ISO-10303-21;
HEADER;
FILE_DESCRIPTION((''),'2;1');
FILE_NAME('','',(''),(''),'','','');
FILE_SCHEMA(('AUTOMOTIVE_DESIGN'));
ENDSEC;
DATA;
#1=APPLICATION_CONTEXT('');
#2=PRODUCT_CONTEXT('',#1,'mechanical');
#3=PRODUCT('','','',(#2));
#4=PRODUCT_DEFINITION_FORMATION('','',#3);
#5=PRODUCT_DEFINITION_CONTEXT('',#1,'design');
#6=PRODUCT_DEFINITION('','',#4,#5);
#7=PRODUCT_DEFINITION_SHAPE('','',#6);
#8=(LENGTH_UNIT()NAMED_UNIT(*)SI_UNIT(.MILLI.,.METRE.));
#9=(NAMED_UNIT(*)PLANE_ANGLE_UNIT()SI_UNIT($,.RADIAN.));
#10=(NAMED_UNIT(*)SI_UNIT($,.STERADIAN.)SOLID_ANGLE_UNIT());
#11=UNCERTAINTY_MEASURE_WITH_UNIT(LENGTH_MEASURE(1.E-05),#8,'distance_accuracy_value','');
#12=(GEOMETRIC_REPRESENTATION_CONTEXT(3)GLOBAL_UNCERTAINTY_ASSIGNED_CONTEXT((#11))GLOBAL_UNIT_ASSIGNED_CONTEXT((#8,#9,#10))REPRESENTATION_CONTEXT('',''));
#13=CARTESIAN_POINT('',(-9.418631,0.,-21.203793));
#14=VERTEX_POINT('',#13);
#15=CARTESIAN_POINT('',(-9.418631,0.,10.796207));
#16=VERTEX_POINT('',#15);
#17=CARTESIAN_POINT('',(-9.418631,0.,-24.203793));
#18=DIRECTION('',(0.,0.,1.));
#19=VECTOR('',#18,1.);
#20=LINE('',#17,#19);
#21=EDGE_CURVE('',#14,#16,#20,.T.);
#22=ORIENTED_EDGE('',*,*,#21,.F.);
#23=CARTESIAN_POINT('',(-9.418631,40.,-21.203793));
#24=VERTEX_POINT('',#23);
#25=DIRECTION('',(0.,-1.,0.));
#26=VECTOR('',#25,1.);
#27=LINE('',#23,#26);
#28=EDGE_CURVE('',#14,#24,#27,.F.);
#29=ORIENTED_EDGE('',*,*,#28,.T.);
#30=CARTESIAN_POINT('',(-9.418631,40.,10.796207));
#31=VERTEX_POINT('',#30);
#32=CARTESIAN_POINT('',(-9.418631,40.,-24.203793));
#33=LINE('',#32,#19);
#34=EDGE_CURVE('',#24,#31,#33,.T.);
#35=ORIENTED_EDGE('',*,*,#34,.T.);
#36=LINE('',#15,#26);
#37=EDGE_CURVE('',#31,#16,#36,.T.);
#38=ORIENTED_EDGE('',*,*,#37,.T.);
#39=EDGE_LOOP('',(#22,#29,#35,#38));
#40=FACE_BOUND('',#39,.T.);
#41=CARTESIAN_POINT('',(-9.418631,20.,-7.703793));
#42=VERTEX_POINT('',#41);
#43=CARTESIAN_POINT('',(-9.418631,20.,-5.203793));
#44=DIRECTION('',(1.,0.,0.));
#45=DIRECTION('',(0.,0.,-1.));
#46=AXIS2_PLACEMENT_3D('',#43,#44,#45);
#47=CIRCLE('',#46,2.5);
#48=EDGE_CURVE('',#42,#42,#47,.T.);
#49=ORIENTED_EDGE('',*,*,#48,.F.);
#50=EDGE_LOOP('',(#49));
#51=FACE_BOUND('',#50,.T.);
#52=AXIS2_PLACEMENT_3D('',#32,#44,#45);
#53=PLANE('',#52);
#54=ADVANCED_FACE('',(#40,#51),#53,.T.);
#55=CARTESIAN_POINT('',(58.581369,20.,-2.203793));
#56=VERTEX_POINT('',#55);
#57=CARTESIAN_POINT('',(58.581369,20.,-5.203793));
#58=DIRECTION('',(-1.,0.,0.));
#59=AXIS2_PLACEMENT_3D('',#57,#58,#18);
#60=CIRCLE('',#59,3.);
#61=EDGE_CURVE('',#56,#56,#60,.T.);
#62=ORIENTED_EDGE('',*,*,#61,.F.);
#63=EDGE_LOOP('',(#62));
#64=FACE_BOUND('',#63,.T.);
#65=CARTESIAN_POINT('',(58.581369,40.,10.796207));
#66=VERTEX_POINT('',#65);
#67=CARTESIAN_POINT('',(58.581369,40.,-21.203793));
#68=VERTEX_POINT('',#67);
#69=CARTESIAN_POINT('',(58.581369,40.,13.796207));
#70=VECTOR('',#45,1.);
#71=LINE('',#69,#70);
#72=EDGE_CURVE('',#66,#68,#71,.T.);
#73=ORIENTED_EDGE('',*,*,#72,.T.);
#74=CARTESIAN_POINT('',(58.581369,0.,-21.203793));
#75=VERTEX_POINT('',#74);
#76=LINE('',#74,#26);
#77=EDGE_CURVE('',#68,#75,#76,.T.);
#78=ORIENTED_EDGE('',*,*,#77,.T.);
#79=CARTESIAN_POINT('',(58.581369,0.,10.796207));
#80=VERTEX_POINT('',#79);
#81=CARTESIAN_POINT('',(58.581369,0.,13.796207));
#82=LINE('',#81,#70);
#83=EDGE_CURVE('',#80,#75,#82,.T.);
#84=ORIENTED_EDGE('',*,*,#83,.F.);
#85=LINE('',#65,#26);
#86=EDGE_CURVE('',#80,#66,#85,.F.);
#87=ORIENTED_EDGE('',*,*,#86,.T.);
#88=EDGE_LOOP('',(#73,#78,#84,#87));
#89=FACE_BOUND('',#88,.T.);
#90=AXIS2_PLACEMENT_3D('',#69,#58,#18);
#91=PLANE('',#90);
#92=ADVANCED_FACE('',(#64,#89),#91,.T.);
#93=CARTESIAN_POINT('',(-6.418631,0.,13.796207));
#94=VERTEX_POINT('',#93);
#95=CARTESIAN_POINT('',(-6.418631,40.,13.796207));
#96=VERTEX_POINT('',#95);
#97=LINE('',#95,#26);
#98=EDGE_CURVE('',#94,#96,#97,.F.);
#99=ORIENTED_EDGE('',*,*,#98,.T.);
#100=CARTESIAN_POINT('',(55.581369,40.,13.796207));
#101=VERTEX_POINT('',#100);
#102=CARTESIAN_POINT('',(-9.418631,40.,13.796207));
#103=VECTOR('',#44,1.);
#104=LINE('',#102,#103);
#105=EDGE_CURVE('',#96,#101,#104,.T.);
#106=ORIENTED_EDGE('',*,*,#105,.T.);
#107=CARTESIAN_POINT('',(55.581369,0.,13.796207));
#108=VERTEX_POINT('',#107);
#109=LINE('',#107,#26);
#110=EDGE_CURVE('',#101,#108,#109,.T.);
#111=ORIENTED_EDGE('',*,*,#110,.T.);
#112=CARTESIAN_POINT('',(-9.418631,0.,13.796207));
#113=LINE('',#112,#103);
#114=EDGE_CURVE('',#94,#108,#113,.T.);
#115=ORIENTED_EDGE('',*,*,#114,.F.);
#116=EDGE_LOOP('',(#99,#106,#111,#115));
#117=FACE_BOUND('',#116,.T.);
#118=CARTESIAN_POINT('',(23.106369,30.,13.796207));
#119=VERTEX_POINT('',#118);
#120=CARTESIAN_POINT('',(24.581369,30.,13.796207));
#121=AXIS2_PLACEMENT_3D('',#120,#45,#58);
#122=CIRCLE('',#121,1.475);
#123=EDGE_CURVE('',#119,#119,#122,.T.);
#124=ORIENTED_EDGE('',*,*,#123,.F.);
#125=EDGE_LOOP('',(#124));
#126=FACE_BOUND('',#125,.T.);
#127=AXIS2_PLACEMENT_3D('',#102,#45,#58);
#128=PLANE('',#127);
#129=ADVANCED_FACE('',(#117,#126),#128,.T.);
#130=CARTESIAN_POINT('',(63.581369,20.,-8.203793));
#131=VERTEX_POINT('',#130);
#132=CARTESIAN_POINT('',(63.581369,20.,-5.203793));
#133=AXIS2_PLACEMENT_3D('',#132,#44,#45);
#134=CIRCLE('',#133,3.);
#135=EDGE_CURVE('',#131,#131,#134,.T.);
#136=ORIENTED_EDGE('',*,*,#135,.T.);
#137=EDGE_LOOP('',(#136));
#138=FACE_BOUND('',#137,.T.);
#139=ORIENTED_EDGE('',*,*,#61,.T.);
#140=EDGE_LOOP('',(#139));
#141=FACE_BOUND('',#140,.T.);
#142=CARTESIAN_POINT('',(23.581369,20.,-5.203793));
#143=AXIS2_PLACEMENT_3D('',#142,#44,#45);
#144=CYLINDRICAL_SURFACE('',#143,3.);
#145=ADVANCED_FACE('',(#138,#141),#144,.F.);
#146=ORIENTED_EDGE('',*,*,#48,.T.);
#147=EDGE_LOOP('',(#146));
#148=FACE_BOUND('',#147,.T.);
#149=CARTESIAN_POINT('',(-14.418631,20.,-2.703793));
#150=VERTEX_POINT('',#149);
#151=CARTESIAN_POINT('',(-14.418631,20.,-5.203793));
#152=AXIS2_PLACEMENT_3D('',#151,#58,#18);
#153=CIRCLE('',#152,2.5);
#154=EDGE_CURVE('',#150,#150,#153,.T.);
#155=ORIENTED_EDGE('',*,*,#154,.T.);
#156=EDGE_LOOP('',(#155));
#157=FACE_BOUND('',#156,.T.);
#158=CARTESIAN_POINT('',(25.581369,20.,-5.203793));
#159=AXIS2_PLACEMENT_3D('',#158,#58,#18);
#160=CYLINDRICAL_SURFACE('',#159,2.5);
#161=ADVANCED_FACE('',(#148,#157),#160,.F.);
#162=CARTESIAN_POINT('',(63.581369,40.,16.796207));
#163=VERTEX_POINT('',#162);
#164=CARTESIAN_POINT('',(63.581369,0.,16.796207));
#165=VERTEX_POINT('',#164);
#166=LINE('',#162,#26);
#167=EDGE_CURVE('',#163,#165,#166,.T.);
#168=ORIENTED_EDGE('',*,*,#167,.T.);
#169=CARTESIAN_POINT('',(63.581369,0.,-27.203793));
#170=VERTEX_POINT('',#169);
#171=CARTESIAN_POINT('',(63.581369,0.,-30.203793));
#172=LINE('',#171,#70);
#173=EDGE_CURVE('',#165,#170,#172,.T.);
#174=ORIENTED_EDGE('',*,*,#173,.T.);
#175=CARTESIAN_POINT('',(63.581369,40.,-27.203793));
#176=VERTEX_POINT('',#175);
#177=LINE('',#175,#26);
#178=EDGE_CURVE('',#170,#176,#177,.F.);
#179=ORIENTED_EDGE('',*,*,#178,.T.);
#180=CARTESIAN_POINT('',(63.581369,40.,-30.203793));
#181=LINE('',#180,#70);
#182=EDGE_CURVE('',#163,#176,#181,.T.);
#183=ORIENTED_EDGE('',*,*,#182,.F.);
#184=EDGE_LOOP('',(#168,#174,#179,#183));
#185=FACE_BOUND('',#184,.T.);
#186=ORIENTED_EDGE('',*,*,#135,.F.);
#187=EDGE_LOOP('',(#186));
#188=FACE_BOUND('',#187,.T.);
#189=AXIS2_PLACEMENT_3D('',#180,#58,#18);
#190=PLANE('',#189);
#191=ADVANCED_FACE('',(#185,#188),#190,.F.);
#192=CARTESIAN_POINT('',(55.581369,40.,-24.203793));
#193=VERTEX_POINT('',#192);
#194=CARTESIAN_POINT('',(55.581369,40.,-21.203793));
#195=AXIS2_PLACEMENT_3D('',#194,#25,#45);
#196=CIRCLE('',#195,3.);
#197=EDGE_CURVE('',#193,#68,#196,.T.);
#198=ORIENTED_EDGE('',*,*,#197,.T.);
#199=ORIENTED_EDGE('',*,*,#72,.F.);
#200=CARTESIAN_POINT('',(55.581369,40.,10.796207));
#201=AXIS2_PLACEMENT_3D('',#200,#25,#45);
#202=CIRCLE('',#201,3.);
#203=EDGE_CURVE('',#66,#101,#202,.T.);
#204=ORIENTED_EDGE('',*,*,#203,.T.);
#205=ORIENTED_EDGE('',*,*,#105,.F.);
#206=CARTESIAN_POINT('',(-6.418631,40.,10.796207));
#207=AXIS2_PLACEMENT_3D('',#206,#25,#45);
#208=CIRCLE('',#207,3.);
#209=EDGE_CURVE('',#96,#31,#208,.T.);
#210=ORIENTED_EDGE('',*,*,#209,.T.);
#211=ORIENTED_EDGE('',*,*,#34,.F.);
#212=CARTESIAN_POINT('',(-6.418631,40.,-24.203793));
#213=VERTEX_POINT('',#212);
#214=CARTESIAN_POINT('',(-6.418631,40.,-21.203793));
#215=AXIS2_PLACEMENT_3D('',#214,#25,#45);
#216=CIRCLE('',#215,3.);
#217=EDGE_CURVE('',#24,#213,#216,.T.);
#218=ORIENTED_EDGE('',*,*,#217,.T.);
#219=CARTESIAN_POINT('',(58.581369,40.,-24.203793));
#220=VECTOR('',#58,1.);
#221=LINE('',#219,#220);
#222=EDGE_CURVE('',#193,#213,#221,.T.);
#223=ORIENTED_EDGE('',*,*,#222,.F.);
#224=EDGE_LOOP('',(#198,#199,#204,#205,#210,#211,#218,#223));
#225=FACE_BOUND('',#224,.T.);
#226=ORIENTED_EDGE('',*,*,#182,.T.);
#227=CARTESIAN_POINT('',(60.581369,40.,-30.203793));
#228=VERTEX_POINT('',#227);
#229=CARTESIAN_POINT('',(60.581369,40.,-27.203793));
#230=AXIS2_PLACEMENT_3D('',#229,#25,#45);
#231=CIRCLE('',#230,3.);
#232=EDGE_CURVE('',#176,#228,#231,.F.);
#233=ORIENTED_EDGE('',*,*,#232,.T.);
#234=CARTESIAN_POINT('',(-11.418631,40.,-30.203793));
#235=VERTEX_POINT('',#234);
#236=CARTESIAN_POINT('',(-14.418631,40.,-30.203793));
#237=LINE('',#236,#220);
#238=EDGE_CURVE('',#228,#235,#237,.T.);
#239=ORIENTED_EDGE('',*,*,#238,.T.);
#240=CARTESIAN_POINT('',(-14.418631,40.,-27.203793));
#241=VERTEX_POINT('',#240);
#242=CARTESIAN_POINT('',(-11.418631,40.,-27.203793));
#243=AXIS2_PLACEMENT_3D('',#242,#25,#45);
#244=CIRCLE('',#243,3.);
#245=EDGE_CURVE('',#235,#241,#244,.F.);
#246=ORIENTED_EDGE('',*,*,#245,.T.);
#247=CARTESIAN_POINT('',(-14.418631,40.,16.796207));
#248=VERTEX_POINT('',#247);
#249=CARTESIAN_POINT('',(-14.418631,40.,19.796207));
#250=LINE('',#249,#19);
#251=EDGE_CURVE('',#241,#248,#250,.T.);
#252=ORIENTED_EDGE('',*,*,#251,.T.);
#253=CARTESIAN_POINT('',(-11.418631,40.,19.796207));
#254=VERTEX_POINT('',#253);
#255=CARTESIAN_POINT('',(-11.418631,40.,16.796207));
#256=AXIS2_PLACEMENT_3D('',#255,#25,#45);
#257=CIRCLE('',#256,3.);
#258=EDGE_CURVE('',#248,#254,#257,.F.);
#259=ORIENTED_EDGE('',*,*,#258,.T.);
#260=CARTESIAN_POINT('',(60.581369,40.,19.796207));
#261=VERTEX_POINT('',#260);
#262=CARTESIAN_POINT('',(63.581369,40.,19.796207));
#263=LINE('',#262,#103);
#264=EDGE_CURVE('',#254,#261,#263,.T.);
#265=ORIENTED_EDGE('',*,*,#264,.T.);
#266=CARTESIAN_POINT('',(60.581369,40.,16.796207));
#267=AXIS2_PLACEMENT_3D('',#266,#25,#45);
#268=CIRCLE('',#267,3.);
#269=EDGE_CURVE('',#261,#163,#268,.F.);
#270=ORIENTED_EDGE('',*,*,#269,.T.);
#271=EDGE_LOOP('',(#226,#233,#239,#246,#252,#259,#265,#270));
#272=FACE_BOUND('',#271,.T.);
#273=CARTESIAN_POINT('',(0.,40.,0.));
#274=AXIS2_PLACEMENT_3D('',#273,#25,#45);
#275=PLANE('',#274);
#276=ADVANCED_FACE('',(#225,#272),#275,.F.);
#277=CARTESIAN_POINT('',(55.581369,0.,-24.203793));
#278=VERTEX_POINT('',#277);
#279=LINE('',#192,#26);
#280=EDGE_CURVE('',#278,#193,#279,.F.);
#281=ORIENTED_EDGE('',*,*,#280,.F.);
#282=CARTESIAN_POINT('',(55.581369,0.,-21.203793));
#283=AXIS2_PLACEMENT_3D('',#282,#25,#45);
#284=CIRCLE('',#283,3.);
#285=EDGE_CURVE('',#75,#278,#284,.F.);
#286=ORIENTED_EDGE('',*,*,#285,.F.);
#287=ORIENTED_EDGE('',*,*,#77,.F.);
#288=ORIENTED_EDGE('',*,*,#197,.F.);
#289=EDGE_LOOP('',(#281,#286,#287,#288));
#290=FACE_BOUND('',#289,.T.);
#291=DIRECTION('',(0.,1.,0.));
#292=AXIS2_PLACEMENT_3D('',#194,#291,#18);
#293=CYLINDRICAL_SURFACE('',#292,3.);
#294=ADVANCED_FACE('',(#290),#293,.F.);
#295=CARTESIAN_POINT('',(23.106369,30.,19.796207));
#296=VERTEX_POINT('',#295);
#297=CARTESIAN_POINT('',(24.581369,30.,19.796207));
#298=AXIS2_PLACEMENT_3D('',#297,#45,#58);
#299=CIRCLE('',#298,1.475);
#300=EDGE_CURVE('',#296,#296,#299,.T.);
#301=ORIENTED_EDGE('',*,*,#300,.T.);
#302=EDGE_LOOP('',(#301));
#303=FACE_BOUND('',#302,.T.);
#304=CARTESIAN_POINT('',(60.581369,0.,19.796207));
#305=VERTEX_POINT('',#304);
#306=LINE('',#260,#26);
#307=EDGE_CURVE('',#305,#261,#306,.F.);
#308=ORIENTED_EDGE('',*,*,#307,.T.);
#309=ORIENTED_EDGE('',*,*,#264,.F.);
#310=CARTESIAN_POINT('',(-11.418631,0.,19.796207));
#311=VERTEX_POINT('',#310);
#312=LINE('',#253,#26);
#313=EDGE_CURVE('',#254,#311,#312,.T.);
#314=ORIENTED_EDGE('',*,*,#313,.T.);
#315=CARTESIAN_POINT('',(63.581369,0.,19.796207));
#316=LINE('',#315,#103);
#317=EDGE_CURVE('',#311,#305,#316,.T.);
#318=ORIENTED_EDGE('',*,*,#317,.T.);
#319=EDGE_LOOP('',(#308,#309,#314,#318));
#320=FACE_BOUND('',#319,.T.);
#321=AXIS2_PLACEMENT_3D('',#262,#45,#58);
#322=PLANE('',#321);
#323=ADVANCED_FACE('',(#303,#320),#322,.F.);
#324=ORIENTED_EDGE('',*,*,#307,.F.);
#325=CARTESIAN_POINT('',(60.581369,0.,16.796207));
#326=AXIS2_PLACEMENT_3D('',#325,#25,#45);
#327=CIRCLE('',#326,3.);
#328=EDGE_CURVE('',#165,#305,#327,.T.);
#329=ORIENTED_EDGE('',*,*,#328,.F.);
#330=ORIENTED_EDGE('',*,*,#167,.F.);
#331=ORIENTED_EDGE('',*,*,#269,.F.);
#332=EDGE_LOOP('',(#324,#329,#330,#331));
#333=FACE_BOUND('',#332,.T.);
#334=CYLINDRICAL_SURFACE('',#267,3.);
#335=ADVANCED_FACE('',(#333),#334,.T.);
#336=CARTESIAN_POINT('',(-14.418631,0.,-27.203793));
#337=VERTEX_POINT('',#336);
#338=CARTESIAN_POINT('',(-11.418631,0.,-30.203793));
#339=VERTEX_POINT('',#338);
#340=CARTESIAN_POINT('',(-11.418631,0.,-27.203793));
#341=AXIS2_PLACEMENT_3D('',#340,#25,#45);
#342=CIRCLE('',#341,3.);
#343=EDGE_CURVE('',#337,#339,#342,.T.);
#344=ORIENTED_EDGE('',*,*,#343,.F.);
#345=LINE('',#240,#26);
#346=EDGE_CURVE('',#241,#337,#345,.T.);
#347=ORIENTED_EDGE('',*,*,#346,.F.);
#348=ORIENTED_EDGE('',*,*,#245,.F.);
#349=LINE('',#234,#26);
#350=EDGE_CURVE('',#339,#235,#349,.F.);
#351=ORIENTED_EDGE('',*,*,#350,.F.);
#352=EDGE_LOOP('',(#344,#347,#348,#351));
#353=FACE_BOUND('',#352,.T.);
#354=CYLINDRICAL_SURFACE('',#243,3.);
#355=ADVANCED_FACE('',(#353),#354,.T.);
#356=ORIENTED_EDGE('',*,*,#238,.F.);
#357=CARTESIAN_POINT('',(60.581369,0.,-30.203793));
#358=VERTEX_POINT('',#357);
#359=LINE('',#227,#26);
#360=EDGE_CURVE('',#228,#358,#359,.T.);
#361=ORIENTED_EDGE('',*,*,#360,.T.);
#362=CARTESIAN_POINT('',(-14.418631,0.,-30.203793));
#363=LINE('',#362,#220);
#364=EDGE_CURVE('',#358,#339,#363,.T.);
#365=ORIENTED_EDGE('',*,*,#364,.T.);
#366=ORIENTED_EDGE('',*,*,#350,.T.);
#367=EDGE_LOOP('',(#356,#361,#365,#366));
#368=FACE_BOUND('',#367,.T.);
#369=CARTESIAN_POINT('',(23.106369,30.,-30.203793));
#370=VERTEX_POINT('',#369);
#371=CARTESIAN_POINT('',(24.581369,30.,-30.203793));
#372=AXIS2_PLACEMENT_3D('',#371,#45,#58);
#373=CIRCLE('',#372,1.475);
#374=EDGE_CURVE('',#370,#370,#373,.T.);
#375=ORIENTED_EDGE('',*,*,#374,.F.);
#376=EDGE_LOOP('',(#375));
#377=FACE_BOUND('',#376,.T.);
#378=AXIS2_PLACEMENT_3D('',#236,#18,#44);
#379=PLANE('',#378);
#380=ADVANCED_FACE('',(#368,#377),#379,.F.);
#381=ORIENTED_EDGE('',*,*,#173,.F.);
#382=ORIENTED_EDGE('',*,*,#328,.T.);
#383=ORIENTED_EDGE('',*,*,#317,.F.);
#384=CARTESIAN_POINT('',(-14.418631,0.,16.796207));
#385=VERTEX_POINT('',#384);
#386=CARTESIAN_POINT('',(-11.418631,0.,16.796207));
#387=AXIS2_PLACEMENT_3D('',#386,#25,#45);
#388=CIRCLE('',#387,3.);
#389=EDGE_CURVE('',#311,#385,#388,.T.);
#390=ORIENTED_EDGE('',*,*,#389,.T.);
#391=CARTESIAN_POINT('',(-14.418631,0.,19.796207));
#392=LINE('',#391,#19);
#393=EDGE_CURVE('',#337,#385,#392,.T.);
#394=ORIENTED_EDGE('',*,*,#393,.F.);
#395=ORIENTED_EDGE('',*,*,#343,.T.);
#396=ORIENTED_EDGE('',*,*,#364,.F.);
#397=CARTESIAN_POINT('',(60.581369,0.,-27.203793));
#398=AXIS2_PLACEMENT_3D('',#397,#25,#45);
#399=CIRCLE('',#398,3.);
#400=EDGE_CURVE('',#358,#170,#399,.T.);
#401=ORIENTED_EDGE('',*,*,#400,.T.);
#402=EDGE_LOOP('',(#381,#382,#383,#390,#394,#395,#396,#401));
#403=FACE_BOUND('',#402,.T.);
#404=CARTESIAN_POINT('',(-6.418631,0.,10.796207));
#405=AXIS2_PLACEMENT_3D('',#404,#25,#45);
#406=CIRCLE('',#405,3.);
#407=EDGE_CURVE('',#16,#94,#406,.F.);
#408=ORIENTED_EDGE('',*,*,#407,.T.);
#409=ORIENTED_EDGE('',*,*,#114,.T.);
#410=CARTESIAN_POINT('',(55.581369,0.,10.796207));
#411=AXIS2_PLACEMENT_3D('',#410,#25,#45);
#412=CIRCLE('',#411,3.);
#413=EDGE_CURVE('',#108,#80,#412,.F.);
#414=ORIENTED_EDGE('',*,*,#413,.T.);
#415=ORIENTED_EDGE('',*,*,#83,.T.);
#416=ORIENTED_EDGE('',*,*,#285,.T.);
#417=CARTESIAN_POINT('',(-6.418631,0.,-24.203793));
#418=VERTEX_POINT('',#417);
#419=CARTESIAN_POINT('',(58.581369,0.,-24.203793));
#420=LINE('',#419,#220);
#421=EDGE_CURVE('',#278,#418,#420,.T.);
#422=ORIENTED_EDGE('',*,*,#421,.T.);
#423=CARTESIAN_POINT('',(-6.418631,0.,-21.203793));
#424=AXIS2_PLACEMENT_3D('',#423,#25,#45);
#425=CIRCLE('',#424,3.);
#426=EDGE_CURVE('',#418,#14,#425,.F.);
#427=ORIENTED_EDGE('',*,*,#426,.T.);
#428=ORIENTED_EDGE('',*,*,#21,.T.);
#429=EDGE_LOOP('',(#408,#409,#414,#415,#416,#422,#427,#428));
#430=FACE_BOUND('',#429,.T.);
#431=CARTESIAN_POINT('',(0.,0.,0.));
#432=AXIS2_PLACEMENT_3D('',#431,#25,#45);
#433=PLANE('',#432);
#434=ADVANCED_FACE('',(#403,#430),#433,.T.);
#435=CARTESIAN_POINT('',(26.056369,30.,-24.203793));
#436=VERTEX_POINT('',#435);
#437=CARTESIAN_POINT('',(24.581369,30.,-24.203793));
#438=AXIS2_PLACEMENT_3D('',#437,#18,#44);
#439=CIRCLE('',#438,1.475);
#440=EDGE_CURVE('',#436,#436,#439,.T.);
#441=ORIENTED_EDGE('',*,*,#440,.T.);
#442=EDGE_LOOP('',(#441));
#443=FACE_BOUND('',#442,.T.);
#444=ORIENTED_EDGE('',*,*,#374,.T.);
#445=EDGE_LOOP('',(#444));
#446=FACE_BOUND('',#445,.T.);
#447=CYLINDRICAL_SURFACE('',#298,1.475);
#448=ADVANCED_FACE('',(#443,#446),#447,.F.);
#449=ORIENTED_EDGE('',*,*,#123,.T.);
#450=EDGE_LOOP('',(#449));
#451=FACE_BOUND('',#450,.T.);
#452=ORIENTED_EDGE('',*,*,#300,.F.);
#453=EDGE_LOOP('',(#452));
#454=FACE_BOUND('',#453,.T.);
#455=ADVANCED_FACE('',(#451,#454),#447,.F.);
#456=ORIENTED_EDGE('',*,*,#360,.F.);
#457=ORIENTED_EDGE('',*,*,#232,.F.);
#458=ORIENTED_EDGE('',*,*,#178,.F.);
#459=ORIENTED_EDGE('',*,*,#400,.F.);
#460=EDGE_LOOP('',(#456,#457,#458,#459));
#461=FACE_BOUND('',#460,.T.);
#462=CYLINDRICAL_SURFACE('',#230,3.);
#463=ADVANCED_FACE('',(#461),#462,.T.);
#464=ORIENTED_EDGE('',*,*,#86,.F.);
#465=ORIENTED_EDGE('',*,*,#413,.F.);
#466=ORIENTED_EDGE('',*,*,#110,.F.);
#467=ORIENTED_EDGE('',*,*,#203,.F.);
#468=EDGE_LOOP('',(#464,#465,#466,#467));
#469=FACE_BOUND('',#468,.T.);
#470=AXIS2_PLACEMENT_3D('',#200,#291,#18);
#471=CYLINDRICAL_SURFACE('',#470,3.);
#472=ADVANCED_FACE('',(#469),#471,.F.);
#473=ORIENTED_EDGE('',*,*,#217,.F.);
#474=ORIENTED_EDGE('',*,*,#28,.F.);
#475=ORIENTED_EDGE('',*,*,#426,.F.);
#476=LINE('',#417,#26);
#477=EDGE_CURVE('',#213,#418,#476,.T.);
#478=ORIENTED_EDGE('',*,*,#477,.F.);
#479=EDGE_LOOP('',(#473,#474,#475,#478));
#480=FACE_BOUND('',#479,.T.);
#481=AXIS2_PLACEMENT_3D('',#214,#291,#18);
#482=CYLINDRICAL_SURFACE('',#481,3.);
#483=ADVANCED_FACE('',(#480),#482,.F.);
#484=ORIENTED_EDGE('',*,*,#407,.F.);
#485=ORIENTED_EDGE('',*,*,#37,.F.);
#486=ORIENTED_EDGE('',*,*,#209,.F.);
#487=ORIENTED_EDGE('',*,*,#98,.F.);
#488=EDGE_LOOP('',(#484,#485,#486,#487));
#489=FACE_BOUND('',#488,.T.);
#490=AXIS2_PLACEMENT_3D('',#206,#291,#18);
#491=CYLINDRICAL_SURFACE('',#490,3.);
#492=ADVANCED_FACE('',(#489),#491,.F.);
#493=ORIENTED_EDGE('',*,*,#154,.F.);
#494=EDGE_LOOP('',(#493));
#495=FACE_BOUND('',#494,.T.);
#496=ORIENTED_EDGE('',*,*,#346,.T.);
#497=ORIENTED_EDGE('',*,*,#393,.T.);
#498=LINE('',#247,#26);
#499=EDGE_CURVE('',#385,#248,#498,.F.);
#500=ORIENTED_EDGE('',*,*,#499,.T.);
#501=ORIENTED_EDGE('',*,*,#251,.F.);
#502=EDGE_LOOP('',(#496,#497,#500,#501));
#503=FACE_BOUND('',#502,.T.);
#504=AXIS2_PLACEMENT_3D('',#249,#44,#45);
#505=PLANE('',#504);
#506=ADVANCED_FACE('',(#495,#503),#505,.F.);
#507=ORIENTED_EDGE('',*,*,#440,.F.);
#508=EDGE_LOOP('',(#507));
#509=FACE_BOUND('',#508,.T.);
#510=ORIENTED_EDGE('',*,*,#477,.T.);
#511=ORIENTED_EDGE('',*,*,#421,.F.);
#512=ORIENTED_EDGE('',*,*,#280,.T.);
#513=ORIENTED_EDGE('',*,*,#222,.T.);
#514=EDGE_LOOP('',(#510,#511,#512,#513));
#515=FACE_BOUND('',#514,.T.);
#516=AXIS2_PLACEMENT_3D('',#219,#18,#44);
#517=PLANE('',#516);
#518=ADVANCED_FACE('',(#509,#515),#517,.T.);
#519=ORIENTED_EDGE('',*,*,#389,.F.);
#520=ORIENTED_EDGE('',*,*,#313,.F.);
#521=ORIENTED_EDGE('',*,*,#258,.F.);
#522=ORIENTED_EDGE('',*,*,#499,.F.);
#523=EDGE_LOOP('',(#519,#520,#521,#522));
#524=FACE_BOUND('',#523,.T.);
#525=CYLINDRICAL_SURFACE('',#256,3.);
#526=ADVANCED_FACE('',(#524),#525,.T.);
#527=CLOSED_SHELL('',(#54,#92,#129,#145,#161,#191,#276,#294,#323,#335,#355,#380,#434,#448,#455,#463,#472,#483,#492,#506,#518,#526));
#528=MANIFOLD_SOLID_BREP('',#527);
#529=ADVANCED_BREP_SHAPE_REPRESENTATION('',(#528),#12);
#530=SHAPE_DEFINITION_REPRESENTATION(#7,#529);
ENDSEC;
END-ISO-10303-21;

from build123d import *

# Parameters (mm, degrees)
SKETCH1_W           = 78
SKETCH1_H           = 50
SKETCH1_W_2         = 68
SKETCH1_H_2         = 38
BOSS_EXTRUDE1_DEPTH = 40
FILLET1_R           = 3
SKETCH2_R           = 3
CUT_EXTRUDE1_DEPTH  = 40
SKETCH3_R           = 2.5
CUT_EXTRUDE2_DEPTH  = 40
SKETCH4_R           = 1.475
CUT_EXTRUDE3_DEPTH  = 50


with BuildPart() as part:
    # Sketch1 → Boss-Extrude1 (new body)
    with BuildSketch(Plane(origin=(0, 0, 0), x_dir=(1, 0, 0), z_dir=(0, 1, 0))):
        with Locations((24.581369455, 5.203792641)):
            Rectangle(SKETCH1_W, SKETCH1_H)
        with Locations((24.581369455, 5.203792641)):
            Rectangle(SKETCH1_W_2, SKETCH1_H_2, mode=Mode.SUBTRACT)
    extrude(amount=BOSS_EXTRUDE1_DEPTH)

    # Fillet1
    fillet1_edges = [part.edges().sort_by_distance(p)[0] for p in [
        (58.581369455, 20, -24.203792641),
        (-9.418630545, 20, -24.203792641),
        (-9.418630545, 20, 13.796207359),
        (58.581369455, 20, 13.796207359),
        (-14.418630545, 20, 19.796207359),
        (-14.418630545, 20, -30.203792641),
        (63.581369455, 20, -30.203792641),
        (63.581369455, 20, 19.796207359),
    ]]
    fillet(fillet1_edges, radius=FILLET1_R)

    # Sketch2 → Cut-Extrude1 (cut)
    with BuildSketch(Plane(origin=(63.581369455, 0, 0), x_dir=(0, 0, -1), z_dir=(1, 0, 0))):
        with Locations((5.203792641, 20)):
            Circle(SKETCH2_R)
    extrude(amount=-CUT_EXTRUDE1_DEPTH, mode=Mode.SUBTRACT)

    # Sketch3 → Cut-Extrude2 (cut)
    with BuildSketch(Plane.ZY.offset(14.418630545)):
        with Locations((-5.203792641, 20)):
            Circle(SKETCH3_R)
    extrude(amount=-CUT_EXTRUDE2_DEPTH, mode=Mode.SUBTRACT)

    # Sketch4 → Cut-Extrude3 (cut)
    with BuildSketch(Plane(origin=(0, 0, -30.203792641), x_dir=(-1, 0, 0), z_dir=(0, 0, -1))):
        with Locations((-24.581369455, 30)):
            Circle(SKETCH4_R)
    extrude(amount=-CUT_EXTRUDE3_DEPTH, mode=Mode.SUBTRACT)


solid = part.part
